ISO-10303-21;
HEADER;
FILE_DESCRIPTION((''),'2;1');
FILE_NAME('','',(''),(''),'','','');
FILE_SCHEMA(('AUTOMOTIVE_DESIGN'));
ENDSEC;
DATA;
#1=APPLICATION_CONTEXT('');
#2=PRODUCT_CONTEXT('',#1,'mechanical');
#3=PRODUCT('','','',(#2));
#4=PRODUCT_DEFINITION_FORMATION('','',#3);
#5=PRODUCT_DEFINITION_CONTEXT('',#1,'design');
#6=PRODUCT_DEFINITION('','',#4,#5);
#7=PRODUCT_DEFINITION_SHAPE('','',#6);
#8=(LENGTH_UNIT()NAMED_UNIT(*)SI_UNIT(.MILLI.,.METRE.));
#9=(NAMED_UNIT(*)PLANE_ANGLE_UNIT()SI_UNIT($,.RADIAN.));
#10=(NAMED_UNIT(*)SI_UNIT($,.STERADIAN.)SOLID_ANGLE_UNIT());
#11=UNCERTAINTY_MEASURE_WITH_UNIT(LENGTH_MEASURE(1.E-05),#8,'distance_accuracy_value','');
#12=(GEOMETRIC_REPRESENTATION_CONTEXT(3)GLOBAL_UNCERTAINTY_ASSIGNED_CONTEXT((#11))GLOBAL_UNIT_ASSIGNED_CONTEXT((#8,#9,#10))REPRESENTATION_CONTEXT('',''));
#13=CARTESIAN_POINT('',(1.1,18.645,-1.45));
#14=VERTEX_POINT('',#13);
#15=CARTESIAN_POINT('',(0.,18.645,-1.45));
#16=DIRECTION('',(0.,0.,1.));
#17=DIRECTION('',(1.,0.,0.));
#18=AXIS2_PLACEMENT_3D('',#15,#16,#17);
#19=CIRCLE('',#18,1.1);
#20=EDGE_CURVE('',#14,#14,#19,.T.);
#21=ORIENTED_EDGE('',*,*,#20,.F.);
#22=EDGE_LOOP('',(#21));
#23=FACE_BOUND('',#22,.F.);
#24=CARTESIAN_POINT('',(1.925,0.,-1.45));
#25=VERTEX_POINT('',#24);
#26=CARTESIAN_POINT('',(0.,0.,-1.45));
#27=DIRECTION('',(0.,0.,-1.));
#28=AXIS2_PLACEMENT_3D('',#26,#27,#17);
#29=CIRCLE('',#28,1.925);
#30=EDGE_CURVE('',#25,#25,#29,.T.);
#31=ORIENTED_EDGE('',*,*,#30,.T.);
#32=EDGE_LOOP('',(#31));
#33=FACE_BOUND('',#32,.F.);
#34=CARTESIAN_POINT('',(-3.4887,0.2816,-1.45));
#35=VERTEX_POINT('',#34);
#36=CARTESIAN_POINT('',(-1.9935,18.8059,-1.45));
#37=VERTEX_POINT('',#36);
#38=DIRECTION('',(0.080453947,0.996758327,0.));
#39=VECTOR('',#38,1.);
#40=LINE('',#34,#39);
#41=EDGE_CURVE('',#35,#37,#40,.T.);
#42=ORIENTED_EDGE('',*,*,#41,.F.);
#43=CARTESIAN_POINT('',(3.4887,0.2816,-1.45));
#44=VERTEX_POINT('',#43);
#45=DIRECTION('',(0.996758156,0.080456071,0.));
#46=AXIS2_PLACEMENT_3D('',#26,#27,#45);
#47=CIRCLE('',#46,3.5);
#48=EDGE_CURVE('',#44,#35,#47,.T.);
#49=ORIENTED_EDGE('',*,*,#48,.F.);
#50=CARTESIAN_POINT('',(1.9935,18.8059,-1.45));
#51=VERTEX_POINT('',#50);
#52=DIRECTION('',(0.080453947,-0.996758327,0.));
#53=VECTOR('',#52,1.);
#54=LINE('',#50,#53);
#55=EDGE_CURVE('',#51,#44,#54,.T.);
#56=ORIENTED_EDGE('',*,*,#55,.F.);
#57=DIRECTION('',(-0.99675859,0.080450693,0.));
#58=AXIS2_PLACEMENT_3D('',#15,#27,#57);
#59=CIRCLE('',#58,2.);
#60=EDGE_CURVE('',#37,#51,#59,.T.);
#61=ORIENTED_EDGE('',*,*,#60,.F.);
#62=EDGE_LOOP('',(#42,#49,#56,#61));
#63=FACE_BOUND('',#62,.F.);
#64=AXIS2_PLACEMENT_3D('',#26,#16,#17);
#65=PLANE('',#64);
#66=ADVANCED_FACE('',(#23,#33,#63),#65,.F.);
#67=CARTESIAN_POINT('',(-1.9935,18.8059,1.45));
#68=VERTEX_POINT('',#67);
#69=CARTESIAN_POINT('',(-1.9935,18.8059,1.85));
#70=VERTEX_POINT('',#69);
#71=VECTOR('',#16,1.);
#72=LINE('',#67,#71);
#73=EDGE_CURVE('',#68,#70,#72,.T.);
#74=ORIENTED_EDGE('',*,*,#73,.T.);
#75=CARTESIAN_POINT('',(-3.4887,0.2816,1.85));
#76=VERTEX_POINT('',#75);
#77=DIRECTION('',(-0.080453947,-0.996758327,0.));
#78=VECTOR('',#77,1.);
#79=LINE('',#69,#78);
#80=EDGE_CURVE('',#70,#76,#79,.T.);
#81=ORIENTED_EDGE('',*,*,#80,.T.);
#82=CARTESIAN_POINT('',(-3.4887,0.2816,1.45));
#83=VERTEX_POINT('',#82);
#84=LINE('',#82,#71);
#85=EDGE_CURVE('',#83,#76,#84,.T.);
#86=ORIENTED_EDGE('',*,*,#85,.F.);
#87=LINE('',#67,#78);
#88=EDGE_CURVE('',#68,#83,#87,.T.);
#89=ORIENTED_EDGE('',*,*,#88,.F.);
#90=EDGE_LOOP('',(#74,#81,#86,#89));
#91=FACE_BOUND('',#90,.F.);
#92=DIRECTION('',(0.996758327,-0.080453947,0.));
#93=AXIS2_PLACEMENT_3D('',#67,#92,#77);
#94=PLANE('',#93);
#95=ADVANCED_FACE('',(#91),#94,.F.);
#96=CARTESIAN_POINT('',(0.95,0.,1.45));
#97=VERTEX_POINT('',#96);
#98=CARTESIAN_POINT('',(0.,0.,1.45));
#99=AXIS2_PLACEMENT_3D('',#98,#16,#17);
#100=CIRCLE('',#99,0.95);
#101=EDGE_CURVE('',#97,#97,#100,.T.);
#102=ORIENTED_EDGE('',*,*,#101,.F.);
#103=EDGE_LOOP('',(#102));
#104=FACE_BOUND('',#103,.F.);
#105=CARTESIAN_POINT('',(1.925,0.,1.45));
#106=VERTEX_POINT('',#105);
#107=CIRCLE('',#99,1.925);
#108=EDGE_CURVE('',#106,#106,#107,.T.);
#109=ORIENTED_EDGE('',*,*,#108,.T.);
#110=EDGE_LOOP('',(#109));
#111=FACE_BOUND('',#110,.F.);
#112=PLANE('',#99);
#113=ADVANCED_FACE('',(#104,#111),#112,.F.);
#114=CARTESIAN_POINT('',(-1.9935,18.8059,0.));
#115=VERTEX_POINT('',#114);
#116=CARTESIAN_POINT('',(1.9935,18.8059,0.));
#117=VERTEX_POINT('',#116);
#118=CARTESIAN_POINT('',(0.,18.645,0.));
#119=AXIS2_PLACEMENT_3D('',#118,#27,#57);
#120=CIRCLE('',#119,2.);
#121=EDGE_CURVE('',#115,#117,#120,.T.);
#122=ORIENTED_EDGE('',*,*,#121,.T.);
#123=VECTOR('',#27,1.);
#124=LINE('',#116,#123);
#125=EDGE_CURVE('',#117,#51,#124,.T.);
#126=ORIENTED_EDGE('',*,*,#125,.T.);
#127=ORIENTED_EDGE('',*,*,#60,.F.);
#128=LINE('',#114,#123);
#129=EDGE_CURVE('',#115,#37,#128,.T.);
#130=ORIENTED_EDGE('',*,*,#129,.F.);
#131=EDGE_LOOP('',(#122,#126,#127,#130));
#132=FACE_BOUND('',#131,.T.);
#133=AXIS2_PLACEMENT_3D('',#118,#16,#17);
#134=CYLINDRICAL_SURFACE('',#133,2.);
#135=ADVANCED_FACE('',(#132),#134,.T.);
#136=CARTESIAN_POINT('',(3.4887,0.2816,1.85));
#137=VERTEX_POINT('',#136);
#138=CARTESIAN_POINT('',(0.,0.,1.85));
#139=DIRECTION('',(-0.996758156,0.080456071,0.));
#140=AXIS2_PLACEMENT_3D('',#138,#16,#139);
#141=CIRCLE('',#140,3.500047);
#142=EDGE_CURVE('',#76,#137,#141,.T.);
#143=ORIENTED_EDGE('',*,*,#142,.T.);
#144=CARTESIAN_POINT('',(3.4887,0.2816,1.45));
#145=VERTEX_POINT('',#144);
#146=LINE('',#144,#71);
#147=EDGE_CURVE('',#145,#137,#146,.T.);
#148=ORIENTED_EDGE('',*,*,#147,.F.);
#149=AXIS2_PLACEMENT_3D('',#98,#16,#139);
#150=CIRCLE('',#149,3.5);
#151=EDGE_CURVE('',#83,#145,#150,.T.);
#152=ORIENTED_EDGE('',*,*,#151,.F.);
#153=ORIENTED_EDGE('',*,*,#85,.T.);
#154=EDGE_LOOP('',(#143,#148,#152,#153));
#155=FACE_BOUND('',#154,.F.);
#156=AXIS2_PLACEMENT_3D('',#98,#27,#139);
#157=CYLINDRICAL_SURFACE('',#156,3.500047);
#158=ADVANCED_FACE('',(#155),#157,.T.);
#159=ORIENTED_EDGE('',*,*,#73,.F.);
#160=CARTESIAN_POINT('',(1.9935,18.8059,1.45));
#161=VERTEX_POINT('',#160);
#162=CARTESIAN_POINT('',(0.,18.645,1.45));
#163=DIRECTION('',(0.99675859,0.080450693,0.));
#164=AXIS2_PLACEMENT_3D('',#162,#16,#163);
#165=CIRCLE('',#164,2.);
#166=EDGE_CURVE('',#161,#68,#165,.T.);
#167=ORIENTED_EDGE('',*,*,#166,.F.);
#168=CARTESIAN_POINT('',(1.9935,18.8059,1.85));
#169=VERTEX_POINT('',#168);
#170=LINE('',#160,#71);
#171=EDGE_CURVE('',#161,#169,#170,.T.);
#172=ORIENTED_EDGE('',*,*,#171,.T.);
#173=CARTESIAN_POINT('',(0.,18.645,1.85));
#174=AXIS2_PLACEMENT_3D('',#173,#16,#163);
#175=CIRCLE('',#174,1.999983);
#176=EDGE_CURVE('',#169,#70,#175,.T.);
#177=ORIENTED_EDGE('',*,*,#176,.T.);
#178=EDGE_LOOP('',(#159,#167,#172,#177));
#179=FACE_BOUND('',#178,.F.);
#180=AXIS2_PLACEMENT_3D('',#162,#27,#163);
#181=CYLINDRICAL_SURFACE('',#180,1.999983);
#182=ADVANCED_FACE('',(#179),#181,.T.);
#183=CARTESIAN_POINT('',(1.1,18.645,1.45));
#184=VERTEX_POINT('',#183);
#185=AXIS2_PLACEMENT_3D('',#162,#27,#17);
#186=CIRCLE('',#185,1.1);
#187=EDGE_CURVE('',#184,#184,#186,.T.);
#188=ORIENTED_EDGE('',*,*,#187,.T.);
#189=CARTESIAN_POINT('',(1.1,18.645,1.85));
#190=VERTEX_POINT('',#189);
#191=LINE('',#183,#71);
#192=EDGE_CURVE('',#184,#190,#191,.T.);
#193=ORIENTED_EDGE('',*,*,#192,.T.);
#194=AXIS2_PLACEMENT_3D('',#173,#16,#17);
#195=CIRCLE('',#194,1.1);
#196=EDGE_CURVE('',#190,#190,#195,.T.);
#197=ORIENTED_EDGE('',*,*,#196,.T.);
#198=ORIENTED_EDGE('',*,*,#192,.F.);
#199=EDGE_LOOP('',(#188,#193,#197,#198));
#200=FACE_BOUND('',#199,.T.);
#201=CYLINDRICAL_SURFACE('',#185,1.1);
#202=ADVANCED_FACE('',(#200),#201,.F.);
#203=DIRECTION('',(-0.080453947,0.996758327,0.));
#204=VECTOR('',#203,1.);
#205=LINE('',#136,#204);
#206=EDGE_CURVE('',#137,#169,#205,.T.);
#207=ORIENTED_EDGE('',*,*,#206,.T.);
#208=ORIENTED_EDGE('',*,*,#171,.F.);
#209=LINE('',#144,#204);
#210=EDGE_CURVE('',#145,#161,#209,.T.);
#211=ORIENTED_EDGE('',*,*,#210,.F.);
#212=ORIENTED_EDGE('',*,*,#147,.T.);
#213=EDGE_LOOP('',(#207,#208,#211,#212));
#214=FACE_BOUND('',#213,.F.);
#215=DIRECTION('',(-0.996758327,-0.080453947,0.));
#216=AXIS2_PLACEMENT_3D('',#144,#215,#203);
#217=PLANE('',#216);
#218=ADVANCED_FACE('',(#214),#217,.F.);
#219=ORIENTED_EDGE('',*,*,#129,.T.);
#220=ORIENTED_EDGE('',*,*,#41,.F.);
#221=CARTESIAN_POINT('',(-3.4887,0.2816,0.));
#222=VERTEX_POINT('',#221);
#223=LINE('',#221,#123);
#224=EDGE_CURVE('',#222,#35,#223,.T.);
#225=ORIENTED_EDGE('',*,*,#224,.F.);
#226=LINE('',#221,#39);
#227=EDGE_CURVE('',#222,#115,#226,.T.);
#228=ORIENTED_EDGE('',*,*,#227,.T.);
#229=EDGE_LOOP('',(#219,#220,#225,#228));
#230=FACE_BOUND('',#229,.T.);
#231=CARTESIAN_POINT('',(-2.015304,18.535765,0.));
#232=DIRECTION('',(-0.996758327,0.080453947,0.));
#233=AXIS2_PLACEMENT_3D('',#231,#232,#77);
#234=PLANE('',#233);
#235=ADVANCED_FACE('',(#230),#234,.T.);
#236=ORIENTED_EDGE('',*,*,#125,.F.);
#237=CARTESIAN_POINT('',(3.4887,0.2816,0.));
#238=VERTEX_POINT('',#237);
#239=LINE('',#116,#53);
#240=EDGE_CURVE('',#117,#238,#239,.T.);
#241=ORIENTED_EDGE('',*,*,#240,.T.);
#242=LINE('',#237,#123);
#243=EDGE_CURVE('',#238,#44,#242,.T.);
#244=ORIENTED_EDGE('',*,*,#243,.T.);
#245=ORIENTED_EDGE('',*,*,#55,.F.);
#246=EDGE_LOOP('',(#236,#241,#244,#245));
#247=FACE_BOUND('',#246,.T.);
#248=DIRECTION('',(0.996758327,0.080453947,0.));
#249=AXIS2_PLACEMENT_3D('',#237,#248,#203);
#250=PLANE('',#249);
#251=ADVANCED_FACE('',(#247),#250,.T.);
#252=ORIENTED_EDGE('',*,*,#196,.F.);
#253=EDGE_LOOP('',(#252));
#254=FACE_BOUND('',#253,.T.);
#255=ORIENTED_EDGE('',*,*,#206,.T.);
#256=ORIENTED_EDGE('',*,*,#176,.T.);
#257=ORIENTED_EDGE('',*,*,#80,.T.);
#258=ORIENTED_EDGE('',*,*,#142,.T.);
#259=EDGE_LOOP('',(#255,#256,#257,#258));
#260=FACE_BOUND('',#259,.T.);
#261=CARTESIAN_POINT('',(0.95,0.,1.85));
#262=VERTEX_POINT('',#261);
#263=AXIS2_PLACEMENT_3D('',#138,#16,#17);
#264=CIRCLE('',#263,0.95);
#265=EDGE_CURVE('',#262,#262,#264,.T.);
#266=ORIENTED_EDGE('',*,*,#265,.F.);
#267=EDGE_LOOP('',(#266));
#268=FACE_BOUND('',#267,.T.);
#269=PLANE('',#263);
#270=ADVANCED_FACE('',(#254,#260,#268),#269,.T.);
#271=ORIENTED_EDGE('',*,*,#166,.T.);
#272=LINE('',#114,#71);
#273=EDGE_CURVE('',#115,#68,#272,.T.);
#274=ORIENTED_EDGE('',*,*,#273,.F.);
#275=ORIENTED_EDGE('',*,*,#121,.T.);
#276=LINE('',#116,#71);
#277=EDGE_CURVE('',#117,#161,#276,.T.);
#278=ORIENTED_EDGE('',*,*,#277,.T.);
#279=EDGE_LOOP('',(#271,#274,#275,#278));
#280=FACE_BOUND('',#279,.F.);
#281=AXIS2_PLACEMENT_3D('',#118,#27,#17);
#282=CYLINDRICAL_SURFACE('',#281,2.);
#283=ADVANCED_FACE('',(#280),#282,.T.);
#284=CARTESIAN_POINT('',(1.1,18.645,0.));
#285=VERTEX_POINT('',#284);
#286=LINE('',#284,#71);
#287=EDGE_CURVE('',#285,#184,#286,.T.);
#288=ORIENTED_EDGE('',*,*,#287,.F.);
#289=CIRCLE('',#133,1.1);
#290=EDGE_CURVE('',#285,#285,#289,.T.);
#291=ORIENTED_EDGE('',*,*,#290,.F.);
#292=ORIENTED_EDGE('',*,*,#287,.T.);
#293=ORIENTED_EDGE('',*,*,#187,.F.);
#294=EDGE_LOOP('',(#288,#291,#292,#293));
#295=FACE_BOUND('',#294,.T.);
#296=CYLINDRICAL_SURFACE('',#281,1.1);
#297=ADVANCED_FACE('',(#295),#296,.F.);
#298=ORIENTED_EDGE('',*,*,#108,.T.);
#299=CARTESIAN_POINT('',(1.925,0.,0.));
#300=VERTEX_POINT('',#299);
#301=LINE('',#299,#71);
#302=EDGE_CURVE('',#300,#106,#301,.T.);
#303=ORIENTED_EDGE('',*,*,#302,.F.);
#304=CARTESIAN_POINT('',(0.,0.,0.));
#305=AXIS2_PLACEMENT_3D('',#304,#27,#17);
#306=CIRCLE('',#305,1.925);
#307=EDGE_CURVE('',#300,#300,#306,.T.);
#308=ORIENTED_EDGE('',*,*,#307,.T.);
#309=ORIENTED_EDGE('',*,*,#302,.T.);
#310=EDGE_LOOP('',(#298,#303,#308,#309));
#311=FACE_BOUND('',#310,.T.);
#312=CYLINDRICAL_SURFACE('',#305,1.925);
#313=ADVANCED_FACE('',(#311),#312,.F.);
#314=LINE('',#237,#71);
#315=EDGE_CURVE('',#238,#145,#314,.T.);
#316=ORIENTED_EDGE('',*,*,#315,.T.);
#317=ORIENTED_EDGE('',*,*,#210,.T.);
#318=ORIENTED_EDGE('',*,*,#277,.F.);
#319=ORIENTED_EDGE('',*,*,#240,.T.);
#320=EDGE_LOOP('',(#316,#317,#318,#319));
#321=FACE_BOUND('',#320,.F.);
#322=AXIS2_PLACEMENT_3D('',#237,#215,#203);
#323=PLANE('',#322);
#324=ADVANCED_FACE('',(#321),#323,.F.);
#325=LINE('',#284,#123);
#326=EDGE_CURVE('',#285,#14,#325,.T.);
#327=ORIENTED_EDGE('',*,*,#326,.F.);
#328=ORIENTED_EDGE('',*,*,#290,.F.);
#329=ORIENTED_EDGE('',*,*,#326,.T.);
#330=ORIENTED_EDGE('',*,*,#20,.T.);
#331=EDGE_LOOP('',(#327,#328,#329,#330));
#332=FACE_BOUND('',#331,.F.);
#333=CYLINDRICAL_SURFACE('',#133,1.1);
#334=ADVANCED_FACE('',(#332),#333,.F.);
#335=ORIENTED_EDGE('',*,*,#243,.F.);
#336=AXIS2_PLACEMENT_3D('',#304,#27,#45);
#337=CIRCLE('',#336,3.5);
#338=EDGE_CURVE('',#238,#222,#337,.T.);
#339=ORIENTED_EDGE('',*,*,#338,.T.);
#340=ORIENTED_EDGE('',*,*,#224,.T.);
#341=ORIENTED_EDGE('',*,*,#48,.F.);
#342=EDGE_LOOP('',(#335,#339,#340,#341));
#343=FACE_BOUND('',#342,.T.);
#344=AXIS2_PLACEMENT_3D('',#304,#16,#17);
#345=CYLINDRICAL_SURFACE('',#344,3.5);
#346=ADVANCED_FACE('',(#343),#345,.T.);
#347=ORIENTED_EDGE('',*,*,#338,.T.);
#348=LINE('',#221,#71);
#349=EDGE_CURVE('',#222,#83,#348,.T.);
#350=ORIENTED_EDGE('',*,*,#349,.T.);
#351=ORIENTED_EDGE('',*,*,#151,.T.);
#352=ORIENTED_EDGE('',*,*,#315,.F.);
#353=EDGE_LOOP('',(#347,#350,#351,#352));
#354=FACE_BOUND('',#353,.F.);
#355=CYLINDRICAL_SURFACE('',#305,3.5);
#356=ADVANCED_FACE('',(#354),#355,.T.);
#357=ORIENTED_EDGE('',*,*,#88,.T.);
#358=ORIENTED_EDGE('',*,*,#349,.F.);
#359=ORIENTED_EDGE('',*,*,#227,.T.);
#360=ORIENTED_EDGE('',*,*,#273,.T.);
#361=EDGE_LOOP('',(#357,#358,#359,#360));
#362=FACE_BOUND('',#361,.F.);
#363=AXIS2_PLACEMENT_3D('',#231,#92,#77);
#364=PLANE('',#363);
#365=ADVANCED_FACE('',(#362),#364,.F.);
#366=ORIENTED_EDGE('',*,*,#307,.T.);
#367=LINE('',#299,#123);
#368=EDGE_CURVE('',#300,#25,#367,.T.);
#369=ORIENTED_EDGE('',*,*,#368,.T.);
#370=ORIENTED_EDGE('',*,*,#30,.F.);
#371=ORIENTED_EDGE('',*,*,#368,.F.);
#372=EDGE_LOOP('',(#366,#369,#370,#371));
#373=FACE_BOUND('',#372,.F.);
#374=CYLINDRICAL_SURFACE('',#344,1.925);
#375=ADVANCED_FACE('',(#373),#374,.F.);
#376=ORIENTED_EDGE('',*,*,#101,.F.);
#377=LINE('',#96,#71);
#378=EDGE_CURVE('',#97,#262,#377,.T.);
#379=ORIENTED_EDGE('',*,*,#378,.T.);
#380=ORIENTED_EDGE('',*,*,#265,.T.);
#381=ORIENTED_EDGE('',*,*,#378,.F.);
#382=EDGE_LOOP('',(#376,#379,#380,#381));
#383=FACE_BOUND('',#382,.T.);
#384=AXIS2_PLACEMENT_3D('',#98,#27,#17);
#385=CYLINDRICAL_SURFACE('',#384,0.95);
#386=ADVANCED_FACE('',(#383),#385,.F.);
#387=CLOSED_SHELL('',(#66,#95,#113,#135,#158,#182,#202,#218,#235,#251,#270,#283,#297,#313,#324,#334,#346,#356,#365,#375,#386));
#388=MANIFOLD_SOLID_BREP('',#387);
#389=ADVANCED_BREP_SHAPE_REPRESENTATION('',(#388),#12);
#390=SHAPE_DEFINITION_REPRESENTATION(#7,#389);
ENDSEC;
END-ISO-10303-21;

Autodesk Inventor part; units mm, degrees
ref_plane "YZ Plane" through (0, 0, 0) normal (1, 0, 0) x (0, 1, 0)
ref_plane "XZ Plane" through (0, 0, 0) normal (0, 1, 0) x (-1, 0, 0)
ref_plane "XY Plane" through (0, 0, 0) normal (0, 0, 1) x (1, 0, 0)
sketch "Эскиз1" plane through (0, 0, 0) normal (0, 0, 1) x (1, 0, 0)
  circle A0 centre (0, 0) radius 1.925 projected
  circle A1 centre (0, 0) radius 1.9
  circle A2 centre (0, 0) radius 3.5
  circle A3 centre (0, 0) radius 18.645 projected
  line L0 (0, 69.6007) -> (0, -10.6967) projected
  circle A4 centre (0, 18.645) radius 1.1
  circle A5 centre (0, 18.645) radius 2
  line L1 (-1.9935, 18.8059) -> (-3.4887, 0.2816)
  line L2 (3.4887, 0.2816) -> (1.9935, 18.8059)
  point P0 (0, 0)
  point P1 (2.0153, 18.5358)
  point P2 (1.9971, 18.5377)
  point P3 (-1.9971, 18.5377)
  point P4 (-2.0153, 18.5358)
  dimension "d0" = 3.8
  dimension "d1" = 7
  dimension "d2" = 2.2
  dimension "d3" = 4
extrude "Выдавливание1" add sketch "Эскиз1" along normal mid plane 2.9 contours A0 L0 A2 | A0 L0 A2 | L0 A5 A3 L2 A2 | A2 L1 A3 A5 L0 | A5 A3 A4 L0 | L0 A4 A3 A5 | A3 A5 L2 | L1 A5 A3 | A5 L0 A4 A3 | A3 A4 L0 A5
sketch "Эскиз2" plane through (0, 0, 1.45) normal (0, 0, 1) x (1, 0, 0)
  line L0 (3.4887, 0.2816) -> (1.9935, 18.8059) projected
  arc A0 (1.9935, 18.8059) -> (-1.9935, 18.8059) centre (0, 18.645) ccw projected
  line L1 (-1.9935, 18.8059) -> (-3.4887, 0.2816) projected
  arc A1 (-3.4887, 0.2816) -> (3.4887, 0.2816) centre (0, 0) ccw projected
  circle A2 centre (0, 0) radius 1.925 projected
  circle A3 centre (0, 18.645) radius 1.1 projected
  circle A4 centre (0, 0) radius 0.95
  point P0 (0, 0)
  dimension "d8" = 1.9
extrude "Выдавливание2" add sketch "Эскиз2" along normal blind 0.4 contours A1 L1 A0 L0 | A2
properties part number "shatun_main"
